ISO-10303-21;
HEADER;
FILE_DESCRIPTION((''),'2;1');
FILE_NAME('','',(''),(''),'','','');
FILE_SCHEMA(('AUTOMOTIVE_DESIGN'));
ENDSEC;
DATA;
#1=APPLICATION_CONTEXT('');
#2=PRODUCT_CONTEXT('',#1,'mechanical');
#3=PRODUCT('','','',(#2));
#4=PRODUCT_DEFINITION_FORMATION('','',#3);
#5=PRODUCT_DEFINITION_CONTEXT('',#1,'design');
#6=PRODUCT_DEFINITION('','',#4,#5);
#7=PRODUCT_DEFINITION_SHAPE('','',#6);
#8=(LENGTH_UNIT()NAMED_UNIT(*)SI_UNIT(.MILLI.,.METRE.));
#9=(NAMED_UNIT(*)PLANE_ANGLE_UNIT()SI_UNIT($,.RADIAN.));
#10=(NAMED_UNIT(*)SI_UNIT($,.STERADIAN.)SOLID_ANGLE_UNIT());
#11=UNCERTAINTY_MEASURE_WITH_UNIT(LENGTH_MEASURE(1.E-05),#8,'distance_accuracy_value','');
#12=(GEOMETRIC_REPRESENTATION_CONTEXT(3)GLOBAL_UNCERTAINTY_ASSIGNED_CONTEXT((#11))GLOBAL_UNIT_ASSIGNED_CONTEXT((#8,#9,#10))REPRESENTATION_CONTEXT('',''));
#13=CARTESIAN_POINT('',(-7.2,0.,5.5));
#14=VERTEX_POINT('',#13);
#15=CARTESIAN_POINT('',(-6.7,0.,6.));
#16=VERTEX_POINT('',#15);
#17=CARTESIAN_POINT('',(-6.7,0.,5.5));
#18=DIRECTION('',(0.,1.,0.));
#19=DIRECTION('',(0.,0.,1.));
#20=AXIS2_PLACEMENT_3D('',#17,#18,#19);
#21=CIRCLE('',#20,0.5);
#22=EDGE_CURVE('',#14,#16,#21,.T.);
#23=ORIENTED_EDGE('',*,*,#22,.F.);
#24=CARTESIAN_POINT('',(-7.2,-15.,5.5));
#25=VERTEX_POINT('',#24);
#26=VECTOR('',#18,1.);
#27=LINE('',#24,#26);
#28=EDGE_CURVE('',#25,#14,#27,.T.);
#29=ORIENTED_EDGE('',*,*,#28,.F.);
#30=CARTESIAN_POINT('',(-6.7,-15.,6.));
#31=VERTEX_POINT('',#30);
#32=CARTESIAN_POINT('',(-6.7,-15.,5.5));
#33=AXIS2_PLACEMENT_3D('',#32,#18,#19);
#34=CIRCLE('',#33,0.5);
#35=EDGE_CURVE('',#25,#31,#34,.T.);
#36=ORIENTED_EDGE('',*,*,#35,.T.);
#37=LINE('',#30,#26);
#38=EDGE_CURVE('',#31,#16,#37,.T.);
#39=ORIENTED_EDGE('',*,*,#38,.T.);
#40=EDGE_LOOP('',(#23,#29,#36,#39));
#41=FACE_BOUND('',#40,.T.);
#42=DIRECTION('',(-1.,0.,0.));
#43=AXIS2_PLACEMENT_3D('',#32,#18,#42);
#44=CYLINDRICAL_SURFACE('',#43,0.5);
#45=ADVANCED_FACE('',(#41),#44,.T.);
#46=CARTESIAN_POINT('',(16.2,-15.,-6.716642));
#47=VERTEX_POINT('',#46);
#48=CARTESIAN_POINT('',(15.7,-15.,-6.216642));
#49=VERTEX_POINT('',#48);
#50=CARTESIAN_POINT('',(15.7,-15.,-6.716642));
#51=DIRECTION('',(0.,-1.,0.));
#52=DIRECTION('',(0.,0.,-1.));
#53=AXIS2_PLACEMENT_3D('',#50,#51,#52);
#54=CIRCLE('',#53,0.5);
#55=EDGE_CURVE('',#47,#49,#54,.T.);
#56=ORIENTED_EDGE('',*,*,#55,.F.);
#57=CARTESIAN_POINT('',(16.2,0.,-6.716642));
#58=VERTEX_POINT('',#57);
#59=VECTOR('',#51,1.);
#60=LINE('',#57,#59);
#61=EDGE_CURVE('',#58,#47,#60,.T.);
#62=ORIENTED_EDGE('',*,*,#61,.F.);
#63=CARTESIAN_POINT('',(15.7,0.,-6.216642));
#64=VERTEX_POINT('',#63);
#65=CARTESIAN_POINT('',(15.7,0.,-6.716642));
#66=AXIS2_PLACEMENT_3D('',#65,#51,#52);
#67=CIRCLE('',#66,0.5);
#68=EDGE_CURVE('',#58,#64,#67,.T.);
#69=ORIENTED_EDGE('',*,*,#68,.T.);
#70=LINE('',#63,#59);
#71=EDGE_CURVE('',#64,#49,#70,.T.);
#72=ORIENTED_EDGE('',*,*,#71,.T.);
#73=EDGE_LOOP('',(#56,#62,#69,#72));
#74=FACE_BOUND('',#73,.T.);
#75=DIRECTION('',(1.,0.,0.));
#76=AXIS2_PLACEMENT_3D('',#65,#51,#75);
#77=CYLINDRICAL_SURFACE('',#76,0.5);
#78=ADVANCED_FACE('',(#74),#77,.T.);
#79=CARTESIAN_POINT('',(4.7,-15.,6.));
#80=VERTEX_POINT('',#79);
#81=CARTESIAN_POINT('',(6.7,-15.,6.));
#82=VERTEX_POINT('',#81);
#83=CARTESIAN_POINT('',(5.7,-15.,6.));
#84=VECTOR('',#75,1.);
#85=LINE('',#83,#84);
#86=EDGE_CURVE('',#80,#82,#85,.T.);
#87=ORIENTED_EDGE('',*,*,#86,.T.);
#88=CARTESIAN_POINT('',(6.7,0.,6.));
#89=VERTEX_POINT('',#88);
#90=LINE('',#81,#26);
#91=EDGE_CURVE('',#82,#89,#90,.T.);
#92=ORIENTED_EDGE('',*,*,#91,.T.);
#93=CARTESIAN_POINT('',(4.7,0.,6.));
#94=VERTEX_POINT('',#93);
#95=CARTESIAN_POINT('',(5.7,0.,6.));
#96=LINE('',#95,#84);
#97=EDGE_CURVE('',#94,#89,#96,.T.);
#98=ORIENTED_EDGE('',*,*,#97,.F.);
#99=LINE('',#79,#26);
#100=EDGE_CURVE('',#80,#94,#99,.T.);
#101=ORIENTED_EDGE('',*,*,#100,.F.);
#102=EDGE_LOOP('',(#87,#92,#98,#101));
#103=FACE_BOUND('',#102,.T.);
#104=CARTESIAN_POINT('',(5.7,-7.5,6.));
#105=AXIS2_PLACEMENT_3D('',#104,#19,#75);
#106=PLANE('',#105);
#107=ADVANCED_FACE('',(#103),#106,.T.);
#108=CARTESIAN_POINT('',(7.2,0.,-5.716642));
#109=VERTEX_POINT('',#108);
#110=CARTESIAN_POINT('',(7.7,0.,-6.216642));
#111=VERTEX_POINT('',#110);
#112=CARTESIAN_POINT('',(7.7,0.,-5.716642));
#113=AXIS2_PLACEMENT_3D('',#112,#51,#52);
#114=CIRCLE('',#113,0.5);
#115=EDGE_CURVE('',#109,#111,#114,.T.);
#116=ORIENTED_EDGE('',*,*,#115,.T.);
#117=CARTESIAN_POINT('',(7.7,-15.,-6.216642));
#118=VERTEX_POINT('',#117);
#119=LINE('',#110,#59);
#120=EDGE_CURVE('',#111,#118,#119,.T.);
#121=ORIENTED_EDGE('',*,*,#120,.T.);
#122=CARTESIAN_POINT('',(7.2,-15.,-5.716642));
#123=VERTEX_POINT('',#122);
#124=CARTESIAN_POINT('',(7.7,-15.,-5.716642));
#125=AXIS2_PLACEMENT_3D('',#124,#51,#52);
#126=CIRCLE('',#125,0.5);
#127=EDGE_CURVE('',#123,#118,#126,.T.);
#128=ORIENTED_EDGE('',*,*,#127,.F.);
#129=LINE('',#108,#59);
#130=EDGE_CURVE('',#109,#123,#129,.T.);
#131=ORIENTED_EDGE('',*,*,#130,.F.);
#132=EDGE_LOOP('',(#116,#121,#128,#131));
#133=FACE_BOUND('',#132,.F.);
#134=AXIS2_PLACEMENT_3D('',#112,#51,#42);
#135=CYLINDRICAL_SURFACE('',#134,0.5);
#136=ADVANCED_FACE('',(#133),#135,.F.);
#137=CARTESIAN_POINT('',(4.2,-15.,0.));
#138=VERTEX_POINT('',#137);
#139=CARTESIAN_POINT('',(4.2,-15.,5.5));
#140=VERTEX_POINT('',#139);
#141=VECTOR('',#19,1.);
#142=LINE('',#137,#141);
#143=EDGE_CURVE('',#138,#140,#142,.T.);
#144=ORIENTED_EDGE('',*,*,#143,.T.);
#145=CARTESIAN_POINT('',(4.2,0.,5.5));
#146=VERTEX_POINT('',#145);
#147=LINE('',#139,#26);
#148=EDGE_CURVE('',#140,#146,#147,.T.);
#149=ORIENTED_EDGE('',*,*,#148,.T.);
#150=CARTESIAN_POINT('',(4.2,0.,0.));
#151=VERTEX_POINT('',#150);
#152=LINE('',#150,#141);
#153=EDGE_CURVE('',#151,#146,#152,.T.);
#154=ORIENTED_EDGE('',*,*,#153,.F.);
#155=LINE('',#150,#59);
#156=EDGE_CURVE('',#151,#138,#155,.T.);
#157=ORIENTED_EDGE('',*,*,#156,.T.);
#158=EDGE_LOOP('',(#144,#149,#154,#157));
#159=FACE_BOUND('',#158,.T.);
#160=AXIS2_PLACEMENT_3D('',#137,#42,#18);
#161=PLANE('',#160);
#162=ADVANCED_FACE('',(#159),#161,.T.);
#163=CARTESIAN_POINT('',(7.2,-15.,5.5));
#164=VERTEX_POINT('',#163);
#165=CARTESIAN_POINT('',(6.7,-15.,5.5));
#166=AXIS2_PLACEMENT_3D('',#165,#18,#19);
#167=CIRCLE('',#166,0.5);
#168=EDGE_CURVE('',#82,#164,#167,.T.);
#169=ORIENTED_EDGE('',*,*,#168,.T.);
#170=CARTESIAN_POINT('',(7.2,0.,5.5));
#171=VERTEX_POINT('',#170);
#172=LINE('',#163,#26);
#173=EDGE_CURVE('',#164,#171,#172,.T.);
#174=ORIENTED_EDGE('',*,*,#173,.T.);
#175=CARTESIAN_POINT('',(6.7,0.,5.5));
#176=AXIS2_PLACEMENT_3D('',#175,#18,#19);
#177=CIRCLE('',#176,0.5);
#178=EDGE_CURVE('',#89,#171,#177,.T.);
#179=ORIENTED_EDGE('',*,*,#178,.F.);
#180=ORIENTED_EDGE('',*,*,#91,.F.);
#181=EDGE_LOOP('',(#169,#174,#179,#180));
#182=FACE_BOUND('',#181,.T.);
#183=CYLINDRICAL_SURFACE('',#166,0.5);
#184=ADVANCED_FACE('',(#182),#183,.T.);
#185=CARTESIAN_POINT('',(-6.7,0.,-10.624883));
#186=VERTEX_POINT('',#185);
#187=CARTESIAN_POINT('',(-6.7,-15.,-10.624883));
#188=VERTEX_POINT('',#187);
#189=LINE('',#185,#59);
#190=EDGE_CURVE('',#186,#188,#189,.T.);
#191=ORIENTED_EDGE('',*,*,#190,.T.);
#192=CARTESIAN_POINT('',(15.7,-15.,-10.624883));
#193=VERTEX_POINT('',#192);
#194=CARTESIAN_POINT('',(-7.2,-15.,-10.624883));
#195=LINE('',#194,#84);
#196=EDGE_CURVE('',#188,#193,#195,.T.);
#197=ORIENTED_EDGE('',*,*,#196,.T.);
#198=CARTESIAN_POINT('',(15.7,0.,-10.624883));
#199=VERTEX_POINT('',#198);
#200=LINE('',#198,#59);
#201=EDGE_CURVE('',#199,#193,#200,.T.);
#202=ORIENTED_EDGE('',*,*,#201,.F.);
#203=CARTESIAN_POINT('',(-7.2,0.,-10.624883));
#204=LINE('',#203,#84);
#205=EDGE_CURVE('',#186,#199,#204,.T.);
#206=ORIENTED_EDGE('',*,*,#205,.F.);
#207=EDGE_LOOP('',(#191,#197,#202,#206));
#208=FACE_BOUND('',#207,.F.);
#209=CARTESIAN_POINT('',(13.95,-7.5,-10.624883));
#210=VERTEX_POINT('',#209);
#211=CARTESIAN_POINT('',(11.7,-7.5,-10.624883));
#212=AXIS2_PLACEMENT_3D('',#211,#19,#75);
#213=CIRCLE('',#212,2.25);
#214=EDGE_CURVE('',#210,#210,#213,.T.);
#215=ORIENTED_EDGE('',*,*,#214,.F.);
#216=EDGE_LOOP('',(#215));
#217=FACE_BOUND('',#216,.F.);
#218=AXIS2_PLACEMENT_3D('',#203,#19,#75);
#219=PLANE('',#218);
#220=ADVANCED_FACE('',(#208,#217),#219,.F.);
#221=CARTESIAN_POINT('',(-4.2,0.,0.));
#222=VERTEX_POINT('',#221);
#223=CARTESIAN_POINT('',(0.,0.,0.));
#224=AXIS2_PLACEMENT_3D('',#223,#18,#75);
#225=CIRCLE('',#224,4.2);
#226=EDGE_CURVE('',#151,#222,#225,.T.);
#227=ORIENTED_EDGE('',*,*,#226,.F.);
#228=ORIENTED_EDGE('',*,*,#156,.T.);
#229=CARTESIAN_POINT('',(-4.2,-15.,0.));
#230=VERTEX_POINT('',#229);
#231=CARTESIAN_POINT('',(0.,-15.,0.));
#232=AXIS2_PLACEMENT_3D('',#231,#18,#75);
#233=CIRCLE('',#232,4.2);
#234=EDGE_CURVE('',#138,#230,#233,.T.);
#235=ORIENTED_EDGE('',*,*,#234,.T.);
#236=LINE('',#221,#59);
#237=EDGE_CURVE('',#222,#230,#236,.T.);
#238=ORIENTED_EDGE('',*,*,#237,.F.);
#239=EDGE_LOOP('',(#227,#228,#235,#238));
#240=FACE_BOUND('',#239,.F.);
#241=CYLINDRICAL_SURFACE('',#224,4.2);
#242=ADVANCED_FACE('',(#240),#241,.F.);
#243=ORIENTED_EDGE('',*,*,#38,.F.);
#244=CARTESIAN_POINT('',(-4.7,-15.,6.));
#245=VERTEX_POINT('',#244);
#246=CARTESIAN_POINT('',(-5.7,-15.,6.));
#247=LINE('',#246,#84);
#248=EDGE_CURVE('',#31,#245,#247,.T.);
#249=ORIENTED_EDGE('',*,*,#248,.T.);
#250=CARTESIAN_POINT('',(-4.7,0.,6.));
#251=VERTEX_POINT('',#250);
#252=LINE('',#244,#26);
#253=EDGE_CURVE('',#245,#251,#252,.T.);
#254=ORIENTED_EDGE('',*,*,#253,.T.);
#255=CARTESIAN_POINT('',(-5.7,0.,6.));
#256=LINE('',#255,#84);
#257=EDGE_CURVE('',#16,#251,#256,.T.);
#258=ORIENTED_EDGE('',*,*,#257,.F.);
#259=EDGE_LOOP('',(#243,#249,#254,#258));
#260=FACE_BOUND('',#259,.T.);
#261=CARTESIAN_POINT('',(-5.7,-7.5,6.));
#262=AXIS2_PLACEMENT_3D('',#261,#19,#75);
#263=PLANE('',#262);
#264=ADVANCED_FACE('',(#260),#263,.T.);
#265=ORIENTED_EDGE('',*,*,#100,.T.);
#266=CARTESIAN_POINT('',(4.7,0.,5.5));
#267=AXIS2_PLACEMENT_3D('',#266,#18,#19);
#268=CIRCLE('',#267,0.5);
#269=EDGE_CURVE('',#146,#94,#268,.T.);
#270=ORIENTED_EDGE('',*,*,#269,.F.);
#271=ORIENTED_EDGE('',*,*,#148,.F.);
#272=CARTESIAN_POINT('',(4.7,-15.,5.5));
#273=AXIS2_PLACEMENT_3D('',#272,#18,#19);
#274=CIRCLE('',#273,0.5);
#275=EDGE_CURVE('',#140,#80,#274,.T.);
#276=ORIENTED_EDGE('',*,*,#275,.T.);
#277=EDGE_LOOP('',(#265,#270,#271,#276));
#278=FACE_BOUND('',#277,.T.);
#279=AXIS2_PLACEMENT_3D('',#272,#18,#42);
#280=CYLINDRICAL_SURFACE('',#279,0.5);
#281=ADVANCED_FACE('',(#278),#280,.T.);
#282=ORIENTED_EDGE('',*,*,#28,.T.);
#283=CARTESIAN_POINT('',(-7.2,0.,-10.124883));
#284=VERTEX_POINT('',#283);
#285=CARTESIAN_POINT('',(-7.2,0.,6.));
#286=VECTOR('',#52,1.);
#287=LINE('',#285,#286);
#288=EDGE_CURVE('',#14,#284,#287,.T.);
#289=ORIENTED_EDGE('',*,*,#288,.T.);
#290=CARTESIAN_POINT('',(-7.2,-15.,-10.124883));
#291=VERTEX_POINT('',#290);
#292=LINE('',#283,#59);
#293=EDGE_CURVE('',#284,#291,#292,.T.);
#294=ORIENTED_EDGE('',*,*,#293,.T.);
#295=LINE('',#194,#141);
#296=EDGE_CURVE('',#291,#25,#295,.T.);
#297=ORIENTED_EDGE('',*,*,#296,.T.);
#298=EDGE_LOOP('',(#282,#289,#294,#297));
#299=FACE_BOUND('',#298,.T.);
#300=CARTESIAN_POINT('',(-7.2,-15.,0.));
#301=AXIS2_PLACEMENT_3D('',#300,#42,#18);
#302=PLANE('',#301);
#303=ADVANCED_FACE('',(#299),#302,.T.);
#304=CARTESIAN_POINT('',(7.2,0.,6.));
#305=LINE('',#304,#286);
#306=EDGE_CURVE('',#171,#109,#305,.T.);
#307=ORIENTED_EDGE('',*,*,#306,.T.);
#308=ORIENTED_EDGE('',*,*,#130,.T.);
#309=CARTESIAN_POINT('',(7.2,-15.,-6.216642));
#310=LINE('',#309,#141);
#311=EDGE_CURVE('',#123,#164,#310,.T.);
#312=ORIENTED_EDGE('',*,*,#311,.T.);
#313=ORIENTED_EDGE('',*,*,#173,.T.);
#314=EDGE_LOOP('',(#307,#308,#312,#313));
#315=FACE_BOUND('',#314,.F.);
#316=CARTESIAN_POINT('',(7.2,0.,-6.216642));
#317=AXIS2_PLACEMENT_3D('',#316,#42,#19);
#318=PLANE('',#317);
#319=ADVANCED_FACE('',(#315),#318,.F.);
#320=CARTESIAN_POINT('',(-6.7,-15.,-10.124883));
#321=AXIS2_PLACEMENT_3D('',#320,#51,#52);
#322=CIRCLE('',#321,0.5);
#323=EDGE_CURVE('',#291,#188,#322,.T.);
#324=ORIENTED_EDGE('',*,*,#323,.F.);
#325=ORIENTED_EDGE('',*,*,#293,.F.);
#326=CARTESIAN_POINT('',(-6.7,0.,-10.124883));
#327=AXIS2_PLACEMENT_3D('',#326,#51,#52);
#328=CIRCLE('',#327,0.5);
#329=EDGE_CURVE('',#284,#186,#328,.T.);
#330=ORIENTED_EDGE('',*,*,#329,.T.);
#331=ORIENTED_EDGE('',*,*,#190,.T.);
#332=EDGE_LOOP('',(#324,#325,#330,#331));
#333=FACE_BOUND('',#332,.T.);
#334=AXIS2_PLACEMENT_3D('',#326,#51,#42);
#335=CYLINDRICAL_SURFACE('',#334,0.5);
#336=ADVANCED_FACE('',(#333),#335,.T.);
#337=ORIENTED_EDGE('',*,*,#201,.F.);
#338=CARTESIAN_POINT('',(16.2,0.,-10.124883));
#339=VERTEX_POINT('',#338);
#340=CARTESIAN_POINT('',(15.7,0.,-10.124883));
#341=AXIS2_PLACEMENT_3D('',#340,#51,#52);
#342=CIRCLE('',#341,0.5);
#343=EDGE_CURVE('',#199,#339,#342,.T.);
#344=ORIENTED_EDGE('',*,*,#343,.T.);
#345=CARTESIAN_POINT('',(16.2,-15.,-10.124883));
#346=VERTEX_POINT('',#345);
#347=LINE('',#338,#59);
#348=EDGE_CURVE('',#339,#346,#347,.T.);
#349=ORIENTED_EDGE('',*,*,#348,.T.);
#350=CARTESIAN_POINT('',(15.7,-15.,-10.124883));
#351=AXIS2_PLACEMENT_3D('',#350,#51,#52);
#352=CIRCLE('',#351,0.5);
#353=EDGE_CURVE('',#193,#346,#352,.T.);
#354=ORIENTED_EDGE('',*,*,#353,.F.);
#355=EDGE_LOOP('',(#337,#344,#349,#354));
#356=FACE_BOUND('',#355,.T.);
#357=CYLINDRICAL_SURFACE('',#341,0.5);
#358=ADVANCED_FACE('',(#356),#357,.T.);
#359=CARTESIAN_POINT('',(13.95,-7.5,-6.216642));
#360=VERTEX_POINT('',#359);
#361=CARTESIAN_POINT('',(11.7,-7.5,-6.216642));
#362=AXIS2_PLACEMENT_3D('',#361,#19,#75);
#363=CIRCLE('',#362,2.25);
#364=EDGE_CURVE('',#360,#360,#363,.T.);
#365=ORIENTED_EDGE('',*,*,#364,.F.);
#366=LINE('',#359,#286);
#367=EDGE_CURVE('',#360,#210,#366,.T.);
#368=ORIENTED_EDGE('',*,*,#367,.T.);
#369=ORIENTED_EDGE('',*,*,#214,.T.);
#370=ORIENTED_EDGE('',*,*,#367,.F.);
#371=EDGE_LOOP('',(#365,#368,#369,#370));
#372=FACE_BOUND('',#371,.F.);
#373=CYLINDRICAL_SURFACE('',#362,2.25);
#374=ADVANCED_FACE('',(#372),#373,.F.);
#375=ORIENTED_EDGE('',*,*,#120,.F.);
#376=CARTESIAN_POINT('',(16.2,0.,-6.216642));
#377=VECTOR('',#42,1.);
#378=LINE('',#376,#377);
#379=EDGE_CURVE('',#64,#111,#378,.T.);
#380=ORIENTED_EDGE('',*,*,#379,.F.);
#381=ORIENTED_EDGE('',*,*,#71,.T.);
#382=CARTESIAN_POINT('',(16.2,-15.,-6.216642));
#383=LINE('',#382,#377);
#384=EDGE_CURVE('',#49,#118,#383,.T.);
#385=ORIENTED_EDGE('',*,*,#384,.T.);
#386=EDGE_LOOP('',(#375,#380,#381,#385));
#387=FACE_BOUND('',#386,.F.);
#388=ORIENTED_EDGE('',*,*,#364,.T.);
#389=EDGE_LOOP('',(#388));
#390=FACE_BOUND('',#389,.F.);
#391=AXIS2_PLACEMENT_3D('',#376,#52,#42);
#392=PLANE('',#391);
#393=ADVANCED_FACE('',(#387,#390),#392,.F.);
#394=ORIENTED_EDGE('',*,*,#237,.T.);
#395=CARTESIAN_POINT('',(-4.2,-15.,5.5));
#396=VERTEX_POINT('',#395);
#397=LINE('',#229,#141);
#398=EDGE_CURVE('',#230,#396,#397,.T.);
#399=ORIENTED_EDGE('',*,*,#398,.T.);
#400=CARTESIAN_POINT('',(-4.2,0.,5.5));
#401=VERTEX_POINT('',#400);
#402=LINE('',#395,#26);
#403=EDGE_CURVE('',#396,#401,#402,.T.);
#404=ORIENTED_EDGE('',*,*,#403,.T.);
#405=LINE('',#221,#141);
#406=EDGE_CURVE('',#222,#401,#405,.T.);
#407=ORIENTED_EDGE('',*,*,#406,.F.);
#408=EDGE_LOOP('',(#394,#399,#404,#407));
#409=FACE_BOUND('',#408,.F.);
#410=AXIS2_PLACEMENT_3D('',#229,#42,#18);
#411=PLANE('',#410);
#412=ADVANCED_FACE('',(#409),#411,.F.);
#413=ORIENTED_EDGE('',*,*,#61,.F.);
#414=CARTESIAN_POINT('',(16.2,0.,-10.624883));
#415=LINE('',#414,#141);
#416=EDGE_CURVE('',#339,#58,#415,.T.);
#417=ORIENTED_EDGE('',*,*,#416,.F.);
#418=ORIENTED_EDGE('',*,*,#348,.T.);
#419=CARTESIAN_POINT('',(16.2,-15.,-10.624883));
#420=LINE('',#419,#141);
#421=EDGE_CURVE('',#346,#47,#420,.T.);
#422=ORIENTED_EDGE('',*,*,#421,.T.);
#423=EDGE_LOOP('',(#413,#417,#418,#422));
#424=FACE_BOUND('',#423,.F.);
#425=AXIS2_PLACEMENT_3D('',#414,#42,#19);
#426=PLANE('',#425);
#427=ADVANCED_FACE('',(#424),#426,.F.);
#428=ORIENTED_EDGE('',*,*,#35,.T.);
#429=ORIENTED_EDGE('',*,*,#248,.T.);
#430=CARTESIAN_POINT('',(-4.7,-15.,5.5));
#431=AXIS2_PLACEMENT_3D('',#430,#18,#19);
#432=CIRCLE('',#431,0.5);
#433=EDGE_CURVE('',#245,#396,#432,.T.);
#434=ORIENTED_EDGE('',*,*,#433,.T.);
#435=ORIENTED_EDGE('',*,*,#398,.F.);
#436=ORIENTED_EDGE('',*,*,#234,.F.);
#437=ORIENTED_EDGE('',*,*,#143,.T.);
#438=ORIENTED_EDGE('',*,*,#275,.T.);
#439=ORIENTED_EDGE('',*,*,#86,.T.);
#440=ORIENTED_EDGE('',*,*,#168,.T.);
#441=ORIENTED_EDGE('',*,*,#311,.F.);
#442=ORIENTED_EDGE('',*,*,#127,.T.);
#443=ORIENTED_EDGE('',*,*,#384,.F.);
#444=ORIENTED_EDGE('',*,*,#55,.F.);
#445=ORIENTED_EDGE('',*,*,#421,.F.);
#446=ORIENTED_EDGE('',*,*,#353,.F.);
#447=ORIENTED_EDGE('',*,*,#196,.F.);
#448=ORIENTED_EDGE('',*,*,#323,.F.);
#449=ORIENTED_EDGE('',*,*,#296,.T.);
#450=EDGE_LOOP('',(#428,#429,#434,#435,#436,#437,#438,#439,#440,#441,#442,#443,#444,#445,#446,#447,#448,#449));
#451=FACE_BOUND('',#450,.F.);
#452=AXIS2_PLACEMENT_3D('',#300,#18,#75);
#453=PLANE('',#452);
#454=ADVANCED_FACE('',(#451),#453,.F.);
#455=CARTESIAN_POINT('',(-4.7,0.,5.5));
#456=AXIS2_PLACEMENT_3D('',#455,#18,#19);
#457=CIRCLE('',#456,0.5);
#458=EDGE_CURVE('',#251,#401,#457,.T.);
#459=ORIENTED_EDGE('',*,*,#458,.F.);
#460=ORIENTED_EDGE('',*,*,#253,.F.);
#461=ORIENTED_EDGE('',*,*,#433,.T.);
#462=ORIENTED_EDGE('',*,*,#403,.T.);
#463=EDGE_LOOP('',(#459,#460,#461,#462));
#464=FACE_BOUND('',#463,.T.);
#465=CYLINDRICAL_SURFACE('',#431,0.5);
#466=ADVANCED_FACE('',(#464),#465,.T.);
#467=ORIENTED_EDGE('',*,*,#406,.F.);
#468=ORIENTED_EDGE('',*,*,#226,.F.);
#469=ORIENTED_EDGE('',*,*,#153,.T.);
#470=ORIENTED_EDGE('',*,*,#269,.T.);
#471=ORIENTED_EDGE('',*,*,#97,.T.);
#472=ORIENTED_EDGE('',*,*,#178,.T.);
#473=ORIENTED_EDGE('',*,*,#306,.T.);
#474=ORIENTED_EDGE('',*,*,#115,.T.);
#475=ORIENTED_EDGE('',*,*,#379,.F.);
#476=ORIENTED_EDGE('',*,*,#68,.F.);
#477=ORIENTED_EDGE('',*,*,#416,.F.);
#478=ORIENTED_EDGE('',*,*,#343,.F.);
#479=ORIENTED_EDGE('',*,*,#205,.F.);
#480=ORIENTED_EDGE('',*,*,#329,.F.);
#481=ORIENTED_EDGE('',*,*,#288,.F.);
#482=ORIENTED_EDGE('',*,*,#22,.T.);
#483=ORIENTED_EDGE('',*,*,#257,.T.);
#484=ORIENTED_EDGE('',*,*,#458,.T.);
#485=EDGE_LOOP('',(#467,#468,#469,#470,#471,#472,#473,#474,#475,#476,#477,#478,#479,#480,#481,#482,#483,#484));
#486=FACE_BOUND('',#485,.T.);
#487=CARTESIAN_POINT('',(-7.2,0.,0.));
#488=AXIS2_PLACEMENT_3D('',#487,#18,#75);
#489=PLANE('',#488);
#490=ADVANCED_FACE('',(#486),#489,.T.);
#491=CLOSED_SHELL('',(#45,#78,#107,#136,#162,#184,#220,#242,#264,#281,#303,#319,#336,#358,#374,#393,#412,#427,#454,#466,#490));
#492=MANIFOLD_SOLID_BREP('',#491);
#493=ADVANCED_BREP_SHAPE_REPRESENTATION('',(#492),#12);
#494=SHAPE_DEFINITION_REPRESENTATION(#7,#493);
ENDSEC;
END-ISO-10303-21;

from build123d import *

# Parameters (mm, degrees)
F1_DEPTH = 15
F2_W     = 3
F2_H     = 15
F3_DEPTH = 6
F4_R     = 2.25
F5_DEPTH = 25
F6_R     = 0.5
F7_R     = 0.5


with BuildPart() as f1:
    # F0 (on Front) → F1 (new body)
    with BuildSketch(Plane.XZ):
        with BuildLine():
            ThreePointArc((4.2, 0), (0, -4.2), (-4.2, 0))
            Line((-4.2, 0), (-7.2, 0))
            Line((-7.2, 0), (-7.2, -10.624883))
            Line((-7.2, -10.624883), (16.2, -10.624883))
            Line((16.2, -10.624883), (16.2, -6.216642))
            Line((16.2, -6.216642), (7.2, -6.216642))
            Line((7.2, -6.216642), (7.2, 0))
            Line((7.2, 0), (4.2, 0))
        make_face()
    extrude(amount=F1_DEPTH)

    # F2 (on face) → F3 (join)
    with BuildSketch(Plane.XY):
        with Locations((-5.7, -7.5)):
            Rectangle(F2_W, F2_H)
        with Locations((5.7, -7.5)):
            Rectangle(F2_W, F2_H)
    extrude(amount=F3_DEPTH)

    # F4 (on face) → F5 (cut)
    with BuildSketch(Plane.XY.offset(-6.216642)):
        with Locations((11.7, -7.5)):
            Circle(F4_R)
    extrude(amount=-F5_DEPTH, mode=Mode.SUBTRACT)

    # F6
    f6_edges = [f1.edges().sort_by_distance(p)[0] for p in [
        (-7.2, -7.5, -10.624883),
        (16.2, -7.5, -10.624883),
        (-7.2, -7.5, 6),
        (-4.2, -7.5, 6),
        (4.2, -7.5, 6),
        (7.2, -7.5, 6),
        (7.2, -7.5, -6.216642),
    ]]
    fillet(f6_edges, radius=F6_R)

    # F7
    f7_edges = [f1.edges().sort_by_distance(p)[0] for p in [
        (16.2, -7.5, -6.216642),
    ]]
    fillet(f7_edges, radius=F7_R)


solid = f1.part
